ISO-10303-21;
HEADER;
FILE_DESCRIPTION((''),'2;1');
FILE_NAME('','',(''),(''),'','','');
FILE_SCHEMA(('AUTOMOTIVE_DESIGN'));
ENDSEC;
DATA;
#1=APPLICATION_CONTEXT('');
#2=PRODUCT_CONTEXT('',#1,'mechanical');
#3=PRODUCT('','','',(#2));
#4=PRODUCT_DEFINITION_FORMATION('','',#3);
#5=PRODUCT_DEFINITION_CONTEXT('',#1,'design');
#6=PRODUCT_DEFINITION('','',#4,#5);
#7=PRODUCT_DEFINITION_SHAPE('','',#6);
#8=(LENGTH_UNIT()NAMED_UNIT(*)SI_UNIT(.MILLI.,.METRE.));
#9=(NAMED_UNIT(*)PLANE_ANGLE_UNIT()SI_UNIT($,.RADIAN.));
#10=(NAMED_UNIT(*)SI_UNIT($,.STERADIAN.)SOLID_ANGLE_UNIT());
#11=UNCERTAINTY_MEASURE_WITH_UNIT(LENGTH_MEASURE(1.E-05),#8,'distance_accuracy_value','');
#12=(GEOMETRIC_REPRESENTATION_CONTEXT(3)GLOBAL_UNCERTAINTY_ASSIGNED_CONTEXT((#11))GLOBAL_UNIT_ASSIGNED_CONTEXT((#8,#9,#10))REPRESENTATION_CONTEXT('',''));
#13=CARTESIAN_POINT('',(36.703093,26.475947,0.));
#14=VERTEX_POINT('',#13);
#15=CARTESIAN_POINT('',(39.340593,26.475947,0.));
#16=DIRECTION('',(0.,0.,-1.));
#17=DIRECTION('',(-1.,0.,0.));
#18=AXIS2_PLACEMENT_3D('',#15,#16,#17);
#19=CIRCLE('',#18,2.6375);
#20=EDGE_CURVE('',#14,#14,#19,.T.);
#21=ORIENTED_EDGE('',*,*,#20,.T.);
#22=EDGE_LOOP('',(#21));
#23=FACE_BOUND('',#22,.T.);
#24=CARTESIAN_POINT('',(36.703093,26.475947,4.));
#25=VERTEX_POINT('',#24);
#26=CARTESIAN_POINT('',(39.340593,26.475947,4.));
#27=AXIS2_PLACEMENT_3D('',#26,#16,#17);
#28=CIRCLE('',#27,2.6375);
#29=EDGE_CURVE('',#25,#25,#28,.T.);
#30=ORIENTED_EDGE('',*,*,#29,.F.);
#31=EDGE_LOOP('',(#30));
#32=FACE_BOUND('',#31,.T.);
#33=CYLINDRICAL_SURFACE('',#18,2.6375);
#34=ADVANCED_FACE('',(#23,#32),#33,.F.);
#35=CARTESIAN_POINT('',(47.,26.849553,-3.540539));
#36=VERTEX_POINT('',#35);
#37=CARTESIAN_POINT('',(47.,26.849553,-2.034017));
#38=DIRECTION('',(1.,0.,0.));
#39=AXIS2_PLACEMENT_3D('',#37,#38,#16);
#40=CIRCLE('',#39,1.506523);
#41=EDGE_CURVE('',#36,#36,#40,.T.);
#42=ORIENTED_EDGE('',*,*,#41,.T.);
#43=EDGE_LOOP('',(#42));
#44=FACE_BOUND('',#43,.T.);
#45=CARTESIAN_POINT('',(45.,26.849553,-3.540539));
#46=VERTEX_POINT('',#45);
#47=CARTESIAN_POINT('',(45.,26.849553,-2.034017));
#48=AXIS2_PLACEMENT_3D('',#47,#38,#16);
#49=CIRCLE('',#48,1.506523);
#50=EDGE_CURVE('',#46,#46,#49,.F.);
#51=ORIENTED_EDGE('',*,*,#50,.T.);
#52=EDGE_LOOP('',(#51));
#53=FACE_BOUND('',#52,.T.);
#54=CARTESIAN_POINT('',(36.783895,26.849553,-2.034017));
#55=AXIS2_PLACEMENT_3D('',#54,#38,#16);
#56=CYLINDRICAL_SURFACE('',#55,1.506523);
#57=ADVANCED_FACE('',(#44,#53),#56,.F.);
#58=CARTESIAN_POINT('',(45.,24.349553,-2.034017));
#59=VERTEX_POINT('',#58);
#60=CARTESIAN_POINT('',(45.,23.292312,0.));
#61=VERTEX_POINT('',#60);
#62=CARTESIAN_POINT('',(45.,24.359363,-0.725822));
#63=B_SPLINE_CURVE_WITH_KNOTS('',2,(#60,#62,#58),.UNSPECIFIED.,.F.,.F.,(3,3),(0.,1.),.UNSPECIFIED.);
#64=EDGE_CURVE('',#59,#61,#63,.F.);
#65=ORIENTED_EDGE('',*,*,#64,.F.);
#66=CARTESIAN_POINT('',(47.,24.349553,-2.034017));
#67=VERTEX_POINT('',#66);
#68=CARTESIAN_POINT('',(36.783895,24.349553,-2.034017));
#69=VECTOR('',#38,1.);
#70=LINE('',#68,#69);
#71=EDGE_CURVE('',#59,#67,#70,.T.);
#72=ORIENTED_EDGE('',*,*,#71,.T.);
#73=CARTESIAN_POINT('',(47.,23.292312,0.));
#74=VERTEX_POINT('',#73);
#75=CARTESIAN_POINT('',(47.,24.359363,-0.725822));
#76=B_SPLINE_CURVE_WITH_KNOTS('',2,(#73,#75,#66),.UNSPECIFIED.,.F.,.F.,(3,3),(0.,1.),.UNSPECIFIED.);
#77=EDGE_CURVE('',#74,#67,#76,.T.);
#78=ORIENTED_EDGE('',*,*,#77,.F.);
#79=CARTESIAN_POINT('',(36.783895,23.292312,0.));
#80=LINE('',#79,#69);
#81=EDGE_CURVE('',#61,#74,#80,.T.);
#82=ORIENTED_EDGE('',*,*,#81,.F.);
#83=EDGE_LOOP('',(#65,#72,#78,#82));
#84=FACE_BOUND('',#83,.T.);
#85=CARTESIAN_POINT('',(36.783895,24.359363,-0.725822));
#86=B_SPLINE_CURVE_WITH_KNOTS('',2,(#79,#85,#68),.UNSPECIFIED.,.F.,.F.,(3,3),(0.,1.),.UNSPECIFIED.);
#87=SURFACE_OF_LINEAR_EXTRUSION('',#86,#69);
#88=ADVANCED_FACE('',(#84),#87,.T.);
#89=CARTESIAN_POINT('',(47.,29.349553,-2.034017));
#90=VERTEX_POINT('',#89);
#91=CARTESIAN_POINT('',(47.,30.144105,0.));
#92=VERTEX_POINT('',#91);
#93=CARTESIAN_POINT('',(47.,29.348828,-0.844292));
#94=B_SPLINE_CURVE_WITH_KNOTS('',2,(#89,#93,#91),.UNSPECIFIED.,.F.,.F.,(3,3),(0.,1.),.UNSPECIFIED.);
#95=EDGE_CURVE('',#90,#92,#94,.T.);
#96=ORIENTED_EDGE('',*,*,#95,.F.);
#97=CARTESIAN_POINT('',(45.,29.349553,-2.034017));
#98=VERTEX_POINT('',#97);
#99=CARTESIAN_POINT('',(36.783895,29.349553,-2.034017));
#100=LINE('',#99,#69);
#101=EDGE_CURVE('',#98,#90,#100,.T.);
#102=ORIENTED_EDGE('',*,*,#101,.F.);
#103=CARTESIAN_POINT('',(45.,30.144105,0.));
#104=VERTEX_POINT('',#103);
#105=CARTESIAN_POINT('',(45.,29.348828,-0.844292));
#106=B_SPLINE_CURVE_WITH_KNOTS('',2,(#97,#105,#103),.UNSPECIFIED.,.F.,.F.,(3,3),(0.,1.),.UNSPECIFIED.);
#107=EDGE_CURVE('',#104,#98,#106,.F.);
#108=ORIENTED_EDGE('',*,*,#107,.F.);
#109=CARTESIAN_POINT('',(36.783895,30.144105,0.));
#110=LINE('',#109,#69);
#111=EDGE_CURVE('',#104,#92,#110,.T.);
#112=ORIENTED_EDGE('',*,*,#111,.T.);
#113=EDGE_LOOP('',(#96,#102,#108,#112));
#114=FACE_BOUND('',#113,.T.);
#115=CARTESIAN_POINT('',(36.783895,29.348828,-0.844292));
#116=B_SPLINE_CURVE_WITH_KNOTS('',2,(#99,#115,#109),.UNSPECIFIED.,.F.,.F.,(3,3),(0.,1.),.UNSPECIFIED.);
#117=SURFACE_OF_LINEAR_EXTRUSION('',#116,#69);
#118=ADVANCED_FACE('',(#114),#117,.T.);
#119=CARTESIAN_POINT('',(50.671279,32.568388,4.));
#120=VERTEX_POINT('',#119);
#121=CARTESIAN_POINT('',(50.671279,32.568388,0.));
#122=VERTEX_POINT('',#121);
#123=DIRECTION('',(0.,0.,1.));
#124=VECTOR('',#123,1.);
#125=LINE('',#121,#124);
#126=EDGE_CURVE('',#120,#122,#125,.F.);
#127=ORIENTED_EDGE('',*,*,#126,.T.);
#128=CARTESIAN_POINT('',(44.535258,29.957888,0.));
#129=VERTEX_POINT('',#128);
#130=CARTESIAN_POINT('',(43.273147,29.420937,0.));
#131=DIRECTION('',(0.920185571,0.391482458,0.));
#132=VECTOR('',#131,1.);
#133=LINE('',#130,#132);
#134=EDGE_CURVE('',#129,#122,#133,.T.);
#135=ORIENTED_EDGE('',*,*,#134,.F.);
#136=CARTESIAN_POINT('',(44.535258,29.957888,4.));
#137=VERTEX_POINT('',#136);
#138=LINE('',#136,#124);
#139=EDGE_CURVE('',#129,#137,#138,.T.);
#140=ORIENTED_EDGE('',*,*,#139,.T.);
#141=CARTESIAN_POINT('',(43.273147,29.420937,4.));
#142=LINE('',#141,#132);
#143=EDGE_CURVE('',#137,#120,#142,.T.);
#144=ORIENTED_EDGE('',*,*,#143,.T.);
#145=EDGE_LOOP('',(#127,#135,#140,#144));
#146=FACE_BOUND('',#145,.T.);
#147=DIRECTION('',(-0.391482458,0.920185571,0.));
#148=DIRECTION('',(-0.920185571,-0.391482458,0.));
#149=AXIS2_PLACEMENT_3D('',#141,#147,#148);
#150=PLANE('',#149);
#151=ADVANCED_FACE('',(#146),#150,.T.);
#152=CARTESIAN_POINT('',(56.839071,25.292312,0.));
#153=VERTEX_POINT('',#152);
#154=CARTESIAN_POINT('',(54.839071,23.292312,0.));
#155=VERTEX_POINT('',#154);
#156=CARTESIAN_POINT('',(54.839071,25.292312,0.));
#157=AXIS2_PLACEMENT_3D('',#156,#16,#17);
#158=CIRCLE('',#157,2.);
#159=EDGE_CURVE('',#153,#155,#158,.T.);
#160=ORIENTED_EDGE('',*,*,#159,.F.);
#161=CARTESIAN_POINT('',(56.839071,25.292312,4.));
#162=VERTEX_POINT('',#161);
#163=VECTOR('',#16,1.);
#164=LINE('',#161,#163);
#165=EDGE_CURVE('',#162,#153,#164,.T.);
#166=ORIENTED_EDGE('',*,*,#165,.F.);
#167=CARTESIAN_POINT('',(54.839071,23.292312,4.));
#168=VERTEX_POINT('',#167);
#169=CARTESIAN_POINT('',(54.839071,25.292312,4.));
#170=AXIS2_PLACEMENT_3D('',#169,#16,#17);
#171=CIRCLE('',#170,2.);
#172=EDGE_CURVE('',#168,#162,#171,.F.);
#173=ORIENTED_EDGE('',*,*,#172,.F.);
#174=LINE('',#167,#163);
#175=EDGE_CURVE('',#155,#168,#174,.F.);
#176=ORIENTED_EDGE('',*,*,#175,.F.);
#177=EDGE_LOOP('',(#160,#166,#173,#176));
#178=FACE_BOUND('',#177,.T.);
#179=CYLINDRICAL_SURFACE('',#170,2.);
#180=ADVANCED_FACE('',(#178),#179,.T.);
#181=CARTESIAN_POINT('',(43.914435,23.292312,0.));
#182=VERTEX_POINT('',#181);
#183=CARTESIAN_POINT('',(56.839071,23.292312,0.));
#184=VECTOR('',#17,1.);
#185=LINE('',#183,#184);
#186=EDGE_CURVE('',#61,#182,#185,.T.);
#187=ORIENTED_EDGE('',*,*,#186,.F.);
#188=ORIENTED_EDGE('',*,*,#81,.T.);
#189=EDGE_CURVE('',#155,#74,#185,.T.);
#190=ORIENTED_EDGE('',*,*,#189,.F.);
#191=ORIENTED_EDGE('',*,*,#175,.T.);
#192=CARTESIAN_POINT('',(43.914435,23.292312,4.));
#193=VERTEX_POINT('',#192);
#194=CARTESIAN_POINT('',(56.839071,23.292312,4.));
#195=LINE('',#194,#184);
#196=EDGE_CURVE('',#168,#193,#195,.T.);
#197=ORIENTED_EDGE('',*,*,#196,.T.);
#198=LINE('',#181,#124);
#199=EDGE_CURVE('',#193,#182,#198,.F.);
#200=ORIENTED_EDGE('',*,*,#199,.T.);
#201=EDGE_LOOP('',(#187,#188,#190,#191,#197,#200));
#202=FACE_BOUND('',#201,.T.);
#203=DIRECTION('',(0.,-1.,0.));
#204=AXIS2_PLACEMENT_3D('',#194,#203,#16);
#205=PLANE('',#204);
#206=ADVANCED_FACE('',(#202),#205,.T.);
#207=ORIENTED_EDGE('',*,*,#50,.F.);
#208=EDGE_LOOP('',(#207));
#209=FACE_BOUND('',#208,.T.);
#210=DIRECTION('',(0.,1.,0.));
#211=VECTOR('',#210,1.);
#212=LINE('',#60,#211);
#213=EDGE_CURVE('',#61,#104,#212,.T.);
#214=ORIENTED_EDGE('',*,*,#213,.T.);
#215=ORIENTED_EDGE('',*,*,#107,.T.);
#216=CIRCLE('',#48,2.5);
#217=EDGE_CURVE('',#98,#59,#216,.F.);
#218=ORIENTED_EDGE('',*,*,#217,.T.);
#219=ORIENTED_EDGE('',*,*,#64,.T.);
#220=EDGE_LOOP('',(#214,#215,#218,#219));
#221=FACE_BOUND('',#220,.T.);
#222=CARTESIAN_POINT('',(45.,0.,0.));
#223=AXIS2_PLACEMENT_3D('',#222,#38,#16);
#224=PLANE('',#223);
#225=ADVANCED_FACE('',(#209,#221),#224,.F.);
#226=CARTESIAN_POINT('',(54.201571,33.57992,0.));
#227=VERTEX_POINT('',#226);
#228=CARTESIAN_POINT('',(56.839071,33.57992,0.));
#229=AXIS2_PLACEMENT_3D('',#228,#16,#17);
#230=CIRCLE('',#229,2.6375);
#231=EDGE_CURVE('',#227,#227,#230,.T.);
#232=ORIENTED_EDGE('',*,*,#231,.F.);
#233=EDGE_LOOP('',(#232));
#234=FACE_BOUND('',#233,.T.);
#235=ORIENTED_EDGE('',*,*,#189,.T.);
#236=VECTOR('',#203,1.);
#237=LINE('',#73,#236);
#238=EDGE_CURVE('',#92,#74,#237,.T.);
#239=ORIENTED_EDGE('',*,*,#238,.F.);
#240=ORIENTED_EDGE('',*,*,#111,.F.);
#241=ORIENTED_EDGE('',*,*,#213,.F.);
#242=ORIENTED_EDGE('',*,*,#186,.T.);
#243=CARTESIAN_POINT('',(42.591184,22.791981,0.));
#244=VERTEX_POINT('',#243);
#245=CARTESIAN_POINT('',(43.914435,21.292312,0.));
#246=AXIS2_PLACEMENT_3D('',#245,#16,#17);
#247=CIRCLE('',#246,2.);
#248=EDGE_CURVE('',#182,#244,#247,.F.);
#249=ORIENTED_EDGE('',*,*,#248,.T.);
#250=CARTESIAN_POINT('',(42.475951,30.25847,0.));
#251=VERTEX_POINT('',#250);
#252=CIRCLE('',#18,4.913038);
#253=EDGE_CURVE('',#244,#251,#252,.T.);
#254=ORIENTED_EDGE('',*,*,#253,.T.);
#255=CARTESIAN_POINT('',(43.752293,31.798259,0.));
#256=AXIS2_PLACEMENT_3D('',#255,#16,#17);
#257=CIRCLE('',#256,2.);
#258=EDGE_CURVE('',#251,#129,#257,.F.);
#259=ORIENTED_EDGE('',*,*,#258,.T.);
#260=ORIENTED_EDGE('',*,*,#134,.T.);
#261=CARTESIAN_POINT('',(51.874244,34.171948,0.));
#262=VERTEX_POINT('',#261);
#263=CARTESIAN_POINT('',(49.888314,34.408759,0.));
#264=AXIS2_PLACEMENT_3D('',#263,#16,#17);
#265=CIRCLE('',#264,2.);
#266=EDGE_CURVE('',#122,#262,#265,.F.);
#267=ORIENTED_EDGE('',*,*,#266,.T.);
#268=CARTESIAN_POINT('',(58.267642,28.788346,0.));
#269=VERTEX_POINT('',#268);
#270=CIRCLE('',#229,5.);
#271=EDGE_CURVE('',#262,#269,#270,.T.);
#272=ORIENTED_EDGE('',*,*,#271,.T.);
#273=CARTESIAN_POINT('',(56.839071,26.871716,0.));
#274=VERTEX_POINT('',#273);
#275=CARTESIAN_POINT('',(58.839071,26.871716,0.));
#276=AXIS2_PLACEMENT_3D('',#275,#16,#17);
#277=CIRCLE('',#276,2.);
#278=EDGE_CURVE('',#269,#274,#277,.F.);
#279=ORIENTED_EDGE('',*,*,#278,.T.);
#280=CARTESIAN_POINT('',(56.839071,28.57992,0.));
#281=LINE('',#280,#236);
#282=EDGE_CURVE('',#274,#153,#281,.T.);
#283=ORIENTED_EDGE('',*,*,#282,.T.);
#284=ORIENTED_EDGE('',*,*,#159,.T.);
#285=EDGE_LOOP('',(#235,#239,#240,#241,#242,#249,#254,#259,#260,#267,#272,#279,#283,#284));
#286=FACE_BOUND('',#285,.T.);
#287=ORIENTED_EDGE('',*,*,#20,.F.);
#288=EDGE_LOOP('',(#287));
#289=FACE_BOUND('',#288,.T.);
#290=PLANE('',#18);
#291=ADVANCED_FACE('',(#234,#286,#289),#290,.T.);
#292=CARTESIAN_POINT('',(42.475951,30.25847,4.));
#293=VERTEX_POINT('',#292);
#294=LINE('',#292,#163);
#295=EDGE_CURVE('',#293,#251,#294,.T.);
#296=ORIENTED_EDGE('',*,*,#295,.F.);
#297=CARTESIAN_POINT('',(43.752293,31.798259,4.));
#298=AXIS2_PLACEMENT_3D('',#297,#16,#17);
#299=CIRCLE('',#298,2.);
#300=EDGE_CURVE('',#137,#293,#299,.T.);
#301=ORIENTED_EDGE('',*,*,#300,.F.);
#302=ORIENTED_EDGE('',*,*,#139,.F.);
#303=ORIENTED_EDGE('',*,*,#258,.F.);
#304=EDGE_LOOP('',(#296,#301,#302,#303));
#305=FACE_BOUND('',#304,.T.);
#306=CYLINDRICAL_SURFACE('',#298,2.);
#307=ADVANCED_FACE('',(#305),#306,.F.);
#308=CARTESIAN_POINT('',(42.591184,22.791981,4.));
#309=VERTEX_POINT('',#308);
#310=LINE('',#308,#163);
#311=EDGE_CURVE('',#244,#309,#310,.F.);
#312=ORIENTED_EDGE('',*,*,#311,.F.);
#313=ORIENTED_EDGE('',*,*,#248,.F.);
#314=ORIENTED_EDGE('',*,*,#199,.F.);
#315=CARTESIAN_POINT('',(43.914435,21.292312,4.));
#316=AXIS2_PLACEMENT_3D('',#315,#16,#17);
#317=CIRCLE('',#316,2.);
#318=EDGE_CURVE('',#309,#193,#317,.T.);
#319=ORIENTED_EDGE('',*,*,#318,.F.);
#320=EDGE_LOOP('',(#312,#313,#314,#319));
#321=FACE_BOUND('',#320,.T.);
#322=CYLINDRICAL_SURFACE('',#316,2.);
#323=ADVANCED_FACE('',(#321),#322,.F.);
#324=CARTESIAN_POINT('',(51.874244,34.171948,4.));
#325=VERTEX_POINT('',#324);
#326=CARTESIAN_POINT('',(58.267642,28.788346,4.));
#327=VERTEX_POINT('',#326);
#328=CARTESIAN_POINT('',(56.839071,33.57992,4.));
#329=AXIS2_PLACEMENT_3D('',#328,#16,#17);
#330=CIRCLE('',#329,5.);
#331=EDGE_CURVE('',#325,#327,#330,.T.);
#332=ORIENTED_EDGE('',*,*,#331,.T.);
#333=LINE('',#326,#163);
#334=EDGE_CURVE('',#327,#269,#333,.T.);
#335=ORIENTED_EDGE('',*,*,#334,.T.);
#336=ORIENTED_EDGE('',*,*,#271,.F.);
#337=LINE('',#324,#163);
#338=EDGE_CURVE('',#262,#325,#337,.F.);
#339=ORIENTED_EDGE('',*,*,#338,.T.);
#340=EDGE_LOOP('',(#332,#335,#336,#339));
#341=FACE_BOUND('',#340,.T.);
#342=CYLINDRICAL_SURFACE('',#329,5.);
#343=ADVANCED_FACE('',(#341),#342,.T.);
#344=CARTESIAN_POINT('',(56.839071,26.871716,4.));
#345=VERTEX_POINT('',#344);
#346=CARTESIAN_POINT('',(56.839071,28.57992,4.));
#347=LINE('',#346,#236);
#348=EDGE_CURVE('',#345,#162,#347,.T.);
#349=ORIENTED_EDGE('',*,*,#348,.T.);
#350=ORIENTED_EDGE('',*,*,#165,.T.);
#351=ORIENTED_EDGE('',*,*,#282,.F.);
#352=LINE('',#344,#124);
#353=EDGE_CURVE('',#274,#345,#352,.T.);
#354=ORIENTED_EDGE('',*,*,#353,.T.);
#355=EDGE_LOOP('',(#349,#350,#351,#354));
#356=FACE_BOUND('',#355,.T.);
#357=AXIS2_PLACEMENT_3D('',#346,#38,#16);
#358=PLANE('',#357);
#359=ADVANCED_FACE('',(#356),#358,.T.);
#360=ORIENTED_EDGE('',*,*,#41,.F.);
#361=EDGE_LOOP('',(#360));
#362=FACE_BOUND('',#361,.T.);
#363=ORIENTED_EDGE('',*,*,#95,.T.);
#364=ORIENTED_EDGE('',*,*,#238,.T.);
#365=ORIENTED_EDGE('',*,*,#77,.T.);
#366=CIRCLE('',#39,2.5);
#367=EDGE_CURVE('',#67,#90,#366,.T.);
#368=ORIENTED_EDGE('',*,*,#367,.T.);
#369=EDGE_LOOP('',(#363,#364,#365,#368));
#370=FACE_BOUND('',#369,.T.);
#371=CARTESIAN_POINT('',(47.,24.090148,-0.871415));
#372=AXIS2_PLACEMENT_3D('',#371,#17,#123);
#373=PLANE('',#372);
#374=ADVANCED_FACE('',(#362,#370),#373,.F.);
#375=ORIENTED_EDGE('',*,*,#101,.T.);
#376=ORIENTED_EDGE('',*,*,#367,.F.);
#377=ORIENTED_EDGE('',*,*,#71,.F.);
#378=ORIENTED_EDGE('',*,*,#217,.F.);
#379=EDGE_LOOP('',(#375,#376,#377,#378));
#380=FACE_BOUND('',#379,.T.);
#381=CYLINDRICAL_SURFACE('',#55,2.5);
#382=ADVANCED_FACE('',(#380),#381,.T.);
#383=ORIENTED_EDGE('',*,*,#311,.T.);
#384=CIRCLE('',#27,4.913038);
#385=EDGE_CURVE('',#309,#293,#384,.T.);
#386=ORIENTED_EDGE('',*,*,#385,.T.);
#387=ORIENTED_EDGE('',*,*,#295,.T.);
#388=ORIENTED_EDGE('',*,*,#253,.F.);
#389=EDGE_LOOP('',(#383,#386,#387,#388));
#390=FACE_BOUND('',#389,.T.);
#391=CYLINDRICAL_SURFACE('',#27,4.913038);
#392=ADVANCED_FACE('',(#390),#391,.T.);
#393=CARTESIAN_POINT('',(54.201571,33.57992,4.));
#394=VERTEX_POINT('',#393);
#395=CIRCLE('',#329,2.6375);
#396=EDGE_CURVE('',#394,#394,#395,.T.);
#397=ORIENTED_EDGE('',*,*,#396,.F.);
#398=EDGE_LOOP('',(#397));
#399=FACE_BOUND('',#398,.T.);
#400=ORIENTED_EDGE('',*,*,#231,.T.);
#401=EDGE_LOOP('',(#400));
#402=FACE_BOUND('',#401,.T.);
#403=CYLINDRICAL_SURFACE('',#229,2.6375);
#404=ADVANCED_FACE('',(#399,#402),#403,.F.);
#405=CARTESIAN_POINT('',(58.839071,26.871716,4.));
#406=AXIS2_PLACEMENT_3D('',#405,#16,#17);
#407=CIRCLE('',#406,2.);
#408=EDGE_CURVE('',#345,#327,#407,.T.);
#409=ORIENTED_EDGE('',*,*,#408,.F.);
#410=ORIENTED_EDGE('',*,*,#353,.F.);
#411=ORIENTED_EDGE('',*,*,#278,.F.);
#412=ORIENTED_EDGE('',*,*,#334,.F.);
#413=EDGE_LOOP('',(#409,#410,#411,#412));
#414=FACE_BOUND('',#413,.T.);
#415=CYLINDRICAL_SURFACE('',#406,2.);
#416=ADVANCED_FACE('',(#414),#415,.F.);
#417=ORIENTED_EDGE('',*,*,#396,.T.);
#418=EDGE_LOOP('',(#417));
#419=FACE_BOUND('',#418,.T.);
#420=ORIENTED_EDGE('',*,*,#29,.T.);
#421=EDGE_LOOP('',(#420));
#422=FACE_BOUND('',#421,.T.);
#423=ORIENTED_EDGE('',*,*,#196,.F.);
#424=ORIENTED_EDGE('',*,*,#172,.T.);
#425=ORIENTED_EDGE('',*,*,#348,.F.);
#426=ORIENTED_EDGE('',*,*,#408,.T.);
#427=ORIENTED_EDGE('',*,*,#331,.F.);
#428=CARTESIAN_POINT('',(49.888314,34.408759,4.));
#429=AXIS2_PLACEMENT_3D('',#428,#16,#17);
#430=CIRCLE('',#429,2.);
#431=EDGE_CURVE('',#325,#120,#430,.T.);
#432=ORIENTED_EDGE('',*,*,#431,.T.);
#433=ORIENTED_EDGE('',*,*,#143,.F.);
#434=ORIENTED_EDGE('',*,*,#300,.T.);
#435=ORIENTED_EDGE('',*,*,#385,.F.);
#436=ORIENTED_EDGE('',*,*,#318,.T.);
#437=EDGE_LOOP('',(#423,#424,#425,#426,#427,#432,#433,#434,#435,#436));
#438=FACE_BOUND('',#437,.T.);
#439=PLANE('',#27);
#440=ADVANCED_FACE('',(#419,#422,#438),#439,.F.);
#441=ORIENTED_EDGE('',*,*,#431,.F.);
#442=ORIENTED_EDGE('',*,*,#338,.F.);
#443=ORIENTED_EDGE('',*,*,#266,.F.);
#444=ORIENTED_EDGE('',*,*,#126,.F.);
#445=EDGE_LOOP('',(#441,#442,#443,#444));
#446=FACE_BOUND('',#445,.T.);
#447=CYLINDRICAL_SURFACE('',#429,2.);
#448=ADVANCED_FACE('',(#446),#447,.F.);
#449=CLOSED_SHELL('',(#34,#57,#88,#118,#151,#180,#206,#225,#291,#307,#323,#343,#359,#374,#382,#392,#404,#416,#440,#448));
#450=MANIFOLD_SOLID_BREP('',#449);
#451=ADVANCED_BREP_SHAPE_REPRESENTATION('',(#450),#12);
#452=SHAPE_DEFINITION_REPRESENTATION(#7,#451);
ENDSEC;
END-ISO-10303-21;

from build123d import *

# Parameters (mm, degrees)
BOSS_EXTRUDE3_DEPTH = 4
HOLE3_D             = 5.275
HOLE3_DEPTH         = 4
FILLET3_R           = 2
SKETCH25_R          = 1.506522666
BOSS_EXTRUDE4_DEPTH = 2


with BuildPart() as part:
    # Sketch17 → Boss-Extrude3 (new body)
    with BuildSketch(Plane(origin=(0, 0, 0), x_dir=(-1, 0, 0), z_dir=(0, 0, -1))):
        with BuildLine():
            Line((-43.273147001, 29.420937259), (-51.8645252, 33.076041142))
            ThreePointArc((-51.8645252, 33.076041142), (-60.191727201, 37.289326312), (-56.839071038, 28.579919803))
            Line((-56.839071038, 28.579919803), (-56.839071038, 23.292312115))
            Line((-56.839071038, 23.292312115), (-43.08257304, 23.292312115))
            ThreePointArc((-43.08257304, 23.292312115), (-34.429928081, 26.628647856), (-43.273147001, 29.420937259))
        make_face()
    extrude(amount=-BOSS_EXTRUDE3_DEPTH)

    # Hole3
    with Locations(Plane(origin=(0, 0, 0), x_dir=(-1, 0, 0), z_dir=(0, 0, -1))):
        with Locations((-39.340592987, 26.475947236), (-56.839071038, 33.579919803)):
            Hole(HOLE3_D / 2, depth=HOLE3_DEPTH)

    # Fillet3
    fillet3_edges = [part.edges().sort_by_distance(p)[0] for p in [
        (43.08257304, 23.292312115, 2),
        (56.839071038, 23.292312115, 2),
        (56.839071038, 28.579919803, 2),
        (51.8645252, 33.076041142, 2),
        (43.273147001, 29.420937259, 2),
    ]]
    fillet(fillet3_edges, radius=FILLET3_R)

    # Sketch25 → Boss-Extrude4 (add)
    with BuildSketch(Plane(origin=(47, 0, 0), x_dir=(0, 0, -1), z_dir=(1, 0, 0))):
        with BuildLine():
            Line((0, 23.292312115), (0, 30.144105031))
            add(Edge.make_bspline(
                [(2.034016737, 29.349553115), (0.844292257, 29.348828202), (0, 30.144105031)],
                knots=[0, 0, 0, 1, 1, 1], degree=2))
            ThreePointArc((2.034016737, 29.349553115), (4.534016737, 26.849553115), (2.034016737, 24.349553115))
            add(Edge.make_bspline(
                [(2.034016737, 24.349553115), (0.725821756, 24.359363318), (0, 23.292312115)],
                knots=[0, 0, 0, 1, 1, 1], degree=2))
        make_face()
        with Locations((2.034016737, 26.849553115)):
            Circle(SKETCH25_R, mode=Mode.SUBTRACT)
    extrude(amount=-BOSS_EXTRUDE4_DEPTH)


solid = part.part
